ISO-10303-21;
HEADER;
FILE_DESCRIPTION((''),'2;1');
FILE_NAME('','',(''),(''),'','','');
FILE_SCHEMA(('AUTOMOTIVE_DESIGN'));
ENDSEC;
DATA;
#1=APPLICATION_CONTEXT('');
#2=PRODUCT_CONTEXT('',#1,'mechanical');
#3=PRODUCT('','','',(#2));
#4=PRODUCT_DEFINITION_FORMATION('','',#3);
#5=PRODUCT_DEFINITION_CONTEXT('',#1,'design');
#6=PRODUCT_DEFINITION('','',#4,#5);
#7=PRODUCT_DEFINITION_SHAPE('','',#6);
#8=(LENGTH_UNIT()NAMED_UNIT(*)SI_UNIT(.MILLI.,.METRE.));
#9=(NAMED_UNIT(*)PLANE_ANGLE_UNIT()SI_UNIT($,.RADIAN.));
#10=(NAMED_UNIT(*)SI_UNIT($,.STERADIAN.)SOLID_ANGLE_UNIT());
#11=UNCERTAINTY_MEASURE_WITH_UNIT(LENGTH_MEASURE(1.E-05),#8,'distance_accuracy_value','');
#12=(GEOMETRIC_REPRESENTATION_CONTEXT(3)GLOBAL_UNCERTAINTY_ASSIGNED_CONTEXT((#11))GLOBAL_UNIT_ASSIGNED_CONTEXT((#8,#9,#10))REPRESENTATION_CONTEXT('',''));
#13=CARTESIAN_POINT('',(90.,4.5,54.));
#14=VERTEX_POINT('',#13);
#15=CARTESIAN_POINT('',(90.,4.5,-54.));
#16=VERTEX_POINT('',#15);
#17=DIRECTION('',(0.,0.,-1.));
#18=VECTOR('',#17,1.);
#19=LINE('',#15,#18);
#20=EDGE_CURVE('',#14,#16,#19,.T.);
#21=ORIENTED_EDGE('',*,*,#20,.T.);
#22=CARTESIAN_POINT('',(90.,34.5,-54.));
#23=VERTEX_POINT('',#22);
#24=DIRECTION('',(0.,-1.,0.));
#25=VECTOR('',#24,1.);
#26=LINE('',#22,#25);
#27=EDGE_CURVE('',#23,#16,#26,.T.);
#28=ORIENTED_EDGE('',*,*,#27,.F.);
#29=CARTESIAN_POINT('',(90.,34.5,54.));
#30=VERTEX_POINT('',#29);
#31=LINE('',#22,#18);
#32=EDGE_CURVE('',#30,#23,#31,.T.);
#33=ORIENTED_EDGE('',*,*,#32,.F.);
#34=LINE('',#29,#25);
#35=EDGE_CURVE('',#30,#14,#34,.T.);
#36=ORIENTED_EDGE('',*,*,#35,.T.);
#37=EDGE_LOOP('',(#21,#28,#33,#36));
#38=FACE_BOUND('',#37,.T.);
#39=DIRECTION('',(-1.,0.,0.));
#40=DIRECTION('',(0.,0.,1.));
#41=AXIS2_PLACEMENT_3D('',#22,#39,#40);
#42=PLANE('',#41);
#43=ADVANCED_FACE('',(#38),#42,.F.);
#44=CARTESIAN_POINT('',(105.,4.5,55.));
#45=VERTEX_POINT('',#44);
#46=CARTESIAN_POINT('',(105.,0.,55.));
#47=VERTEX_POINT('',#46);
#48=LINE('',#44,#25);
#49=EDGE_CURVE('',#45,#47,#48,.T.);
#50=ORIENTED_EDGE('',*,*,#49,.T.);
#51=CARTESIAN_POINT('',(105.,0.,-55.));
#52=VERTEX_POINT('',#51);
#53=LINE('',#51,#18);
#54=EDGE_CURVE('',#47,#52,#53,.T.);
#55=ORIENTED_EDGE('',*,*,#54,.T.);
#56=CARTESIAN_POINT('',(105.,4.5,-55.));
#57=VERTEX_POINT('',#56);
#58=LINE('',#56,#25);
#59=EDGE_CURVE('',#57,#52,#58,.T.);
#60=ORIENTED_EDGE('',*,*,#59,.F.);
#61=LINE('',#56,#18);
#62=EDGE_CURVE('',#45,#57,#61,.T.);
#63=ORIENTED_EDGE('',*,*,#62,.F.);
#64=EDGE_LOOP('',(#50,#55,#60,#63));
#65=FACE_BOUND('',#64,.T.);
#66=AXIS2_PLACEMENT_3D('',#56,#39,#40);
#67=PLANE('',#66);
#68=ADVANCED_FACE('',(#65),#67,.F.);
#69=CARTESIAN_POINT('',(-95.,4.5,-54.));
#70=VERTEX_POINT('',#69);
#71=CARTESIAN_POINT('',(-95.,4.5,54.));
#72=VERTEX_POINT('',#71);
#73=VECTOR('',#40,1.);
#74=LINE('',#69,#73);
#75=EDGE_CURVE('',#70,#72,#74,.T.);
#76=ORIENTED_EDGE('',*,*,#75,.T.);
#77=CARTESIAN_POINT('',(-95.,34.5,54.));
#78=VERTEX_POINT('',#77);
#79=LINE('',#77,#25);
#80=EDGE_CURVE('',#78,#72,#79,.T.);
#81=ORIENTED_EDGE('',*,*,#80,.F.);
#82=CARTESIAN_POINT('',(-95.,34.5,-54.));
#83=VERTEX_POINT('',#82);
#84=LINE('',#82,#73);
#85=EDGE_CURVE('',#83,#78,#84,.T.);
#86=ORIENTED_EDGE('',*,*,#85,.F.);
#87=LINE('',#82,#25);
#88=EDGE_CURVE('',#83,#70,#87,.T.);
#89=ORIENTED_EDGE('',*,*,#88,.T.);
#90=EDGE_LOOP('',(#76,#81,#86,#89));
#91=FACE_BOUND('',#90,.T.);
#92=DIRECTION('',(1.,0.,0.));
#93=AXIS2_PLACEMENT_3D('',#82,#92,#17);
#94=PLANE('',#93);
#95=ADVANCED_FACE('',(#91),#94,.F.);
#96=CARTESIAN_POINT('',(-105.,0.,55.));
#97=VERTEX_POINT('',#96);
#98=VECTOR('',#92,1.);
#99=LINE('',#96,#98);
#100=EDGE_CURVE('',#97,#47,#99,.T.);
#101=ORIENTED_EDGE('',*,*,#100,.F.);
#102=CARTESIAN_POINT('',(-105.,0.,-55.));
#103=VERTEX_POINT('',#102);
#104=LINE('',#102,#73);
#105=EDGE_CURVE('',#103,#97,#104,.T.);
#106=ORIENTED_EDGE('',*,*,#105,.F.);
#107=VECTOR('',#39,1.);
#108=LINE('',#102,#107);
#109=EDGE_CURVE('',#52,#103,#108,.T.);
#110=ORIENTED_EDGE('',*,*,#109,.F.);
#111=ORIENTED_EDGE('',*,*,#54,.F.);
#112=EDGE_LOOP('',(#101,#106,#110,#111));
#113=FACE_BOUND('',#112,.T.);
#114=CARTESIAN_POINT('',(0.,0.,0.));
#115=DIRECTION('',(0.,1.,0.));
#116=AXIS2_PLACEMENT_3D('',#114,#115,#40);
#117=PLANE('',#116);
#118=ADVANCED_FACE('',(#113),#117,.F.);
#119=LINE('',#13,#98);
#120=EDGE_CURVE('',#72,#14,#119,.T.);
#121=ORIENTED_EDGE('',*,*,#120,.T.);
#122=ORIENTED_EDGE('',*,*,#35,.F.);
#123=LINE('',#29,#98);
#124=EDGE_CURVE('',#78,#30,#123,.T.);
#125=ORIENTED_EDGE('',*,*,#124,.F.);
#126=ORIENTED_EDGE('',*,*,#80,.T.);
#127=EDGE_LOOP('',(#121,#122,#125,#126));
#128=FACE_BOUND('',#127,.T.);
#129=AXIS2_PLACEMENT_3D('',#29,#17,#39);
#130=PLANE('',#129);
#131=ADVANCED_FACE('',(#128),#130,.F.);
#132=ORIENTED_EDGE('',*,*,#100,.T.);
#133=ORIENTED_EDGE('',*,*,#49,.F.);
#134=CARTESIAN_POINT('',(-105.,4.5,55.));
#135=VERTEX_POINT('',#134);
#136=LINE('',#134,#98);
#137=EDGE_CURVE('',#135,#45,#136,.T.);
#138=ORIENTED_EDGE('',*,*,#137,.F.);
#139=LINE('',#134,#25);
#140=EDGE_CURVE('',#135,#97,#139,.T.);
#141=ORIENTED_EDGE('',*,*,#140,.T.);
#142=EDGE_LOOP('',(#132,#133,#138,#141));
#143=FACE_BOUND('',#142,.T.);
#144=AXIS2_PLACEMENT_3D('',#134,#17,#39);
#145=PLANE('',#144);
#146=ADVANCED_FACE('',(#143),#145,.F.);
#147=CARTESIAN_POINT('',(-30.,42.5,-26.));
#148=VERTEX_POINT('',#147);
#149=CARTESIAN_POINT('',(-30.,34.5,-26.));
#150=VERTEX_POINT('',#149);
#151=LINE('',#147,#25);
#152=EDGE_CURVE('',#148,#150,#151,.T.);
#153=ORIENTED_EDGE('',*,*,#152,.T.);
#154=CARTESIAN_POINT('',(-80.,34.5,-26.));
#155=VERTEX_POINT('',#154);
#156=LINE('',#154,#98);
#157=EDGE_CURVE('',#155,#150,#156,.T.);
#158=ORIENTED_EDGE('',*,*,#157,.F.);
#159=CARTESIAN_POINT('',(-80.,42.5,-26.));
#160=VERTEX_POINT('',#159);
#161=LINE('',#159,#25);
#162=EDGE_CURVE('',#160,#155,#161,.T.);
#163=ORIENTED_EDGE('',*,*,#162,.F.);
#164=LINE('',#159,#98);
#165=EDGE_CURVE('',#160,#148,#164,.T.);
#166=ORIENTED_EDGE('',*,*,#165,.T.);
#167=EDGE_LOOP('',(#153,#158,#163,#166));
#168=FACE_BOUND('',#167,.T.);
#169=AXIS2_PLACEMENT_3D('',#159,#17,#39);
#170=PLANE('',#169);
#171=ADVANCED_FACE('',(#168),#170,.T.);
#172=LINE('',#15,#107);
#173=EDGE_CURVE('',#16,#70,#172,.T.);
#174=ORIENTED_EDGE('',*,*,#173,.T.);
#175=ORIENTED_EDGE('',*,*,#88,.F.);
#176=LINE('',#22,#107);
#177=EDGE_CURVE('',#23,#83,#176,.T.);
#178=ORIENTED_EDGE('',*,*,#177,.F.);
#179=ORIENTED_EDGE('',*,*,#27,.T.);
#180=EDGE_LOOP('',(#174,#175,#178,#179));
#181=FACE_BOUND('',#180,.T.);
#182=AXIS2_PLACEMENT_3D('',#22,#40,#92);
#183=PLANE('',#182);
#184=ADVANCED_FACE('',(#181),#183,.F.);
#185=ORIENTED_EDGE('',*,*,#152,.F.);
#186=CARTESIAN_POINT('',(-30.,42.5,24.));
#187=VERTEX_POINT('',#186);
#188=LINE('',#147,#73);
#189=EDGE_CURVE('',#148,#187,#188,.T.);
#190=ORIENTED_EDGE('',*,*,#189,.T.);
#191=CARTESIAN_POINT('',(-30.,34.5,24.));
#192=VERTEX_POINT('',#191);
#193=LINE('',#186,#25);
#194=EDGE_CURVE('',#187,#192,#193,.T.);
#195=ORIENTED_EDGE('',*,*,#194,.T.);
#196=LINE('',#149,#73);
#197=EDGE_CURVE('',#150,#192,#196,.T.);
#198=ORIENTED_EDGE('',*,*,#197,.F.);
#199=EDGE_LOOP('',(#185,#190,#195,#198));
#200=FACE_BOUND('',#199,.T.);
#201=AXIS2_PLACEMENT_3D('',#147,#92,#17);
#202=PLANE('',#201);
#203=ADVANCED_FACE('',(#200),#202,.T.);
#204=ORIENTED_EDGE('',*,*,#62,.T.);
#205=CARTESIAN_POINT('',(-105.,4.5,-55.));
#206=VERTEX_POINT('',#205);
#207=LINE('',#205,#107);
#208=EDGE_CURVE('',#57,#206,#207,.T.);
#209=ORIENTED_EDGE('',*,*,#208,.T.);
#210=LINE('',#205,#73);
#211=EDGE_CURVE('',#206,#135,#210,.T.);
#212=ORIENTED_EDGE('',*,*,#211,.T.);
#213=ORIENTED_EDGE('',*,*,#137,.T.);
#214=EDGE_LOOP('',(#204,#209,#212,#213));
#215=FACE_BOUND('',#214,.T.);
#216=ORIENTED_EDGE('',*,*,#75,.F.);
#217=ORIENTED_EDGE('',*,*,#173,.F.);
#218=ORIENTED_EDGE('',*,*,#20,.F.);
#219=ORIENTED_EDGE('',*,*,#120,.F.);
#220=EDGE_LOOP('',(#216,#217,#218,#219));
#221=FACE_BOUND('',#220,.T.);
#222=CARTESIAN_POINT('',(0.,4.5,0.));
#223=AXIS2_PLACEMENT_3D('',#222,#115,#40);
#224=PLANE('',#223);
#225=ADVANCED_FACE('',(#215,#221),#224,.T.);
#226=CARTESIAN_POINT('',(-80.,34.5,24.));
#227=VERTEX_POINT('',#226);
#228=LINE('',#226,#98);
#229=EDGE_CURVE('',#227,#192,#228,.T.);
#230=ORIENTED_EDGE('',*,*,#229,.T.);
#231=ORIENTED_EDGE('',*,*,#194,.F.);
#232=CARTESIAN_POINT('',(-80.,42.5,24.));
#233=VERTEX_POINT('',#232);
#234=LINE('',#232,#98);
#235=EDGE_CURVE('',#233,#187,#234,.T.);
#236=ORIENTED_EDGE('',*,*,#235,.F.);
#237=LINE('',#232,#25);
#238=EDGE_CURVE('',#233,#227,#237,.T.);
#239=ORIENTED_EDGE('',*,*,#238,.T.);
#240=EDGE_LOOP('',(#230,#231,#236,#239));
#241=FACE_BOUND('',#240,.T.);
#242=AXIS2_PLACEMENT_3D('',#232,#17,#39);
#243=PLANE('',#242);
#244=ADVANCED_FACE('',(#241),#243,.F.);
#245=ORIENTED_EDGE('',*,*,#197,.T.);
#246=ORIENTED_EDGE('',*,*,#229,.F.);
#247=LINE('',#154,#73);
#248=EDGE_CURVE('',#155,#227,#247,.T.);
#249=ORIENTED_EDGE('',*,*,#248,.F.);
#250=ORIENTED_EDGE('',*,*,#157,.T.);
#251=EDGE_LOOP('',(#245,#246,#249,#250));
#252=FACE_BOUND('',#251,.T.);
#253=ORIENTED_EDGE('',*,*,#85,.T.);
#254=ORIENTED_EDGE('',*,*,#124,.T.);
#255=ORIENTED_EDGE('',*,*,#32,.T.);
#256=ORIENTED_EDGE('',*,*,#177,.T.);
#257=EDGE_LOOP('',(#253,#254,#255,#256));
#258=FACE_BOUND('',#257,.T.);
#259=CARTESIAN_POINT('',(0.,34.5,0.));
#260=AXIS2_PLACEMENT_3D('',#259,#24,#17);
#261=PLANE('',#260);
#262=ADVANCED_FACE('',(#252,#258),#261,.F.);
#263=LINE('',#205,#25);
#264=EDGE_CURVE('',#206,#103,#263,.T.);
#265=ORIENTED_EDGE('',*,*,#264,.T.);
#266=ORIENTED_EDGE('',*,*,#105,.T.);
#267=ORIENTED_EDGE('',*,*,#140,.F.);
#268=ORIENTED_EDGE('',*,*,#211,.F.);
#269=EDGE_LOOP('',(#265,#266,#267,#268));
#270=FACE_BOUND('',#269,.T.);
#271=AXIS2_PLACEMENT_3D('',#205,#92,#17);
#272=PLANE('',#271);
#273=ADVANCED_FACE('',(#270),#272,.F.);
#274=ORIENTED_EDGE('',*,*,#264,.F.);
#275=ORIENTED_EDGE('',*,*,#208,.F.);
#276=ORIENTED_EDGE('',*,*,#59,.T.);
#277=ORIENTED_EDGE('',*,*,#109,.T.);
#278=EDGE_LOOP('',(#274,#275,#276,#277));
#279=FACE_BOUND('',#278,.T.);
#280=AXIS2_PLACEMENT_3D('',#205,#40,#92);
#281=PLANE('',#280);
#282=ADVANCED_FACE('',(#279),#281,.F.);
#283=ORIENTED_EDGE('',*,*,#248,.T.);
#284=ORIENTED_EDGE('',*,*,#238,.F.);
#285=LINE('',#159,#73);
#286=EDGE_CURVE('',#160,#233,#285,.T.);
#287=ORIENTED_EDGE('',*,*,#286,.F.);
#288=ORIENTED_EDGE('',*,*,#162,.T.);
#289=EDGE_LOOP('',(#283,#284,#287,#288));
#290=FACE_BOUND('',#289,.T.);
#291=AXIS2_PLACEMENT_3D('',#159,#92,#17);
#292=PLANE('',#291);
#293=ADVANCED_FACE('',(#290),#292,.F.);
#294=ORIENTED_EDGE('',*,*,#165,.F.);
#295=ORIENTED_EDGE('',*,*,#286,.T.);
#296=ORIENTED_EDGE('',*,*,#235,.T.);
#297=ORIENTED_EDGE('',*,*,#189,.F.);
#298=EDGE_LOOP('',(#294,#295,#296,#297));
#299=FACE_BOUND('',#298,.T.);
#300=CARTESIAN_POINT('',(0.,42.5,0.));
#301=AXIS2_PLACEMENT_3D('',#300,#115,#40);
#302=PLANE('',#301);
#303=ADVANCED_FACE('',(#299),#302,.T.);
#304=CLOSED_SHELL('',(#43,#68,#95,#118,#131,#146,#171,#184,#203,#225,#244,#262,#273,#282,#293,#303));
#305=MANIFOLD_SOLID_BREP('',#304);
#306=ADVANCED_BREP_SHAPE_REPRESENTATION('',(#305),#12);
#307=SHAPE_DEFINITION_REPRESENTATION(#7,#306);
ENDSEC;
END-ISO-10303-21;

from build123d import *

# Parameters (mm, degrees)
SKETCH1_W           = 210
SKETCH1_H           = 110
BOSS_EXTRUDE1_DEPTH = 4.5
SKETCH2_W           = 185
SKETCH2_H           = 108
BOSS_EXTRUDE2_DEPTH = 30
SKETCH3_W           = 50
SKETCH3_H           = 50
BOSS_EXTRUDE3_DEPTH = 8


with BuildPart() as part:
    # Sketch1 → Boss-Extrude1 (new body)
    with BuildSketch(Plane(origin=(0, 0, 0), x_dir=(1, 0, 0), z_dir=(0, 1, 0))):
        Rectangle(SKETCH1_W, SKETCH1_H)
    extrude(amount=BOSS_EXTRUDE1_DEPTH)

    # Sketch2 → Boss-Extrude2 (add)
    with BuildSketch(Plane(origin=(0, 4.5, 0), x_dir=(1, 0, 0), z_dir=(0, 1, 0))):
        with Locations((-2.5, 0)):
            Rectangle(SKETCH2_W, SKETCH2_H)
    extrude(amount=BOSS_EXTRUDE2_DEPTH)

    # Sketch3 → Boss-Extrude3 (add)
    with BuildSketch(Plane(origin=(0, 34.5, 0), x_dir=(1, 0, 0), z_dir=(0, 1, 0))):
        with Locations((-55, 1)):
            Rectangle(SKETCH3_W, SKETCH3_H)
    extrude(amount=BOSS_EXTRUDE3_DEPTH)


solid = part.part
